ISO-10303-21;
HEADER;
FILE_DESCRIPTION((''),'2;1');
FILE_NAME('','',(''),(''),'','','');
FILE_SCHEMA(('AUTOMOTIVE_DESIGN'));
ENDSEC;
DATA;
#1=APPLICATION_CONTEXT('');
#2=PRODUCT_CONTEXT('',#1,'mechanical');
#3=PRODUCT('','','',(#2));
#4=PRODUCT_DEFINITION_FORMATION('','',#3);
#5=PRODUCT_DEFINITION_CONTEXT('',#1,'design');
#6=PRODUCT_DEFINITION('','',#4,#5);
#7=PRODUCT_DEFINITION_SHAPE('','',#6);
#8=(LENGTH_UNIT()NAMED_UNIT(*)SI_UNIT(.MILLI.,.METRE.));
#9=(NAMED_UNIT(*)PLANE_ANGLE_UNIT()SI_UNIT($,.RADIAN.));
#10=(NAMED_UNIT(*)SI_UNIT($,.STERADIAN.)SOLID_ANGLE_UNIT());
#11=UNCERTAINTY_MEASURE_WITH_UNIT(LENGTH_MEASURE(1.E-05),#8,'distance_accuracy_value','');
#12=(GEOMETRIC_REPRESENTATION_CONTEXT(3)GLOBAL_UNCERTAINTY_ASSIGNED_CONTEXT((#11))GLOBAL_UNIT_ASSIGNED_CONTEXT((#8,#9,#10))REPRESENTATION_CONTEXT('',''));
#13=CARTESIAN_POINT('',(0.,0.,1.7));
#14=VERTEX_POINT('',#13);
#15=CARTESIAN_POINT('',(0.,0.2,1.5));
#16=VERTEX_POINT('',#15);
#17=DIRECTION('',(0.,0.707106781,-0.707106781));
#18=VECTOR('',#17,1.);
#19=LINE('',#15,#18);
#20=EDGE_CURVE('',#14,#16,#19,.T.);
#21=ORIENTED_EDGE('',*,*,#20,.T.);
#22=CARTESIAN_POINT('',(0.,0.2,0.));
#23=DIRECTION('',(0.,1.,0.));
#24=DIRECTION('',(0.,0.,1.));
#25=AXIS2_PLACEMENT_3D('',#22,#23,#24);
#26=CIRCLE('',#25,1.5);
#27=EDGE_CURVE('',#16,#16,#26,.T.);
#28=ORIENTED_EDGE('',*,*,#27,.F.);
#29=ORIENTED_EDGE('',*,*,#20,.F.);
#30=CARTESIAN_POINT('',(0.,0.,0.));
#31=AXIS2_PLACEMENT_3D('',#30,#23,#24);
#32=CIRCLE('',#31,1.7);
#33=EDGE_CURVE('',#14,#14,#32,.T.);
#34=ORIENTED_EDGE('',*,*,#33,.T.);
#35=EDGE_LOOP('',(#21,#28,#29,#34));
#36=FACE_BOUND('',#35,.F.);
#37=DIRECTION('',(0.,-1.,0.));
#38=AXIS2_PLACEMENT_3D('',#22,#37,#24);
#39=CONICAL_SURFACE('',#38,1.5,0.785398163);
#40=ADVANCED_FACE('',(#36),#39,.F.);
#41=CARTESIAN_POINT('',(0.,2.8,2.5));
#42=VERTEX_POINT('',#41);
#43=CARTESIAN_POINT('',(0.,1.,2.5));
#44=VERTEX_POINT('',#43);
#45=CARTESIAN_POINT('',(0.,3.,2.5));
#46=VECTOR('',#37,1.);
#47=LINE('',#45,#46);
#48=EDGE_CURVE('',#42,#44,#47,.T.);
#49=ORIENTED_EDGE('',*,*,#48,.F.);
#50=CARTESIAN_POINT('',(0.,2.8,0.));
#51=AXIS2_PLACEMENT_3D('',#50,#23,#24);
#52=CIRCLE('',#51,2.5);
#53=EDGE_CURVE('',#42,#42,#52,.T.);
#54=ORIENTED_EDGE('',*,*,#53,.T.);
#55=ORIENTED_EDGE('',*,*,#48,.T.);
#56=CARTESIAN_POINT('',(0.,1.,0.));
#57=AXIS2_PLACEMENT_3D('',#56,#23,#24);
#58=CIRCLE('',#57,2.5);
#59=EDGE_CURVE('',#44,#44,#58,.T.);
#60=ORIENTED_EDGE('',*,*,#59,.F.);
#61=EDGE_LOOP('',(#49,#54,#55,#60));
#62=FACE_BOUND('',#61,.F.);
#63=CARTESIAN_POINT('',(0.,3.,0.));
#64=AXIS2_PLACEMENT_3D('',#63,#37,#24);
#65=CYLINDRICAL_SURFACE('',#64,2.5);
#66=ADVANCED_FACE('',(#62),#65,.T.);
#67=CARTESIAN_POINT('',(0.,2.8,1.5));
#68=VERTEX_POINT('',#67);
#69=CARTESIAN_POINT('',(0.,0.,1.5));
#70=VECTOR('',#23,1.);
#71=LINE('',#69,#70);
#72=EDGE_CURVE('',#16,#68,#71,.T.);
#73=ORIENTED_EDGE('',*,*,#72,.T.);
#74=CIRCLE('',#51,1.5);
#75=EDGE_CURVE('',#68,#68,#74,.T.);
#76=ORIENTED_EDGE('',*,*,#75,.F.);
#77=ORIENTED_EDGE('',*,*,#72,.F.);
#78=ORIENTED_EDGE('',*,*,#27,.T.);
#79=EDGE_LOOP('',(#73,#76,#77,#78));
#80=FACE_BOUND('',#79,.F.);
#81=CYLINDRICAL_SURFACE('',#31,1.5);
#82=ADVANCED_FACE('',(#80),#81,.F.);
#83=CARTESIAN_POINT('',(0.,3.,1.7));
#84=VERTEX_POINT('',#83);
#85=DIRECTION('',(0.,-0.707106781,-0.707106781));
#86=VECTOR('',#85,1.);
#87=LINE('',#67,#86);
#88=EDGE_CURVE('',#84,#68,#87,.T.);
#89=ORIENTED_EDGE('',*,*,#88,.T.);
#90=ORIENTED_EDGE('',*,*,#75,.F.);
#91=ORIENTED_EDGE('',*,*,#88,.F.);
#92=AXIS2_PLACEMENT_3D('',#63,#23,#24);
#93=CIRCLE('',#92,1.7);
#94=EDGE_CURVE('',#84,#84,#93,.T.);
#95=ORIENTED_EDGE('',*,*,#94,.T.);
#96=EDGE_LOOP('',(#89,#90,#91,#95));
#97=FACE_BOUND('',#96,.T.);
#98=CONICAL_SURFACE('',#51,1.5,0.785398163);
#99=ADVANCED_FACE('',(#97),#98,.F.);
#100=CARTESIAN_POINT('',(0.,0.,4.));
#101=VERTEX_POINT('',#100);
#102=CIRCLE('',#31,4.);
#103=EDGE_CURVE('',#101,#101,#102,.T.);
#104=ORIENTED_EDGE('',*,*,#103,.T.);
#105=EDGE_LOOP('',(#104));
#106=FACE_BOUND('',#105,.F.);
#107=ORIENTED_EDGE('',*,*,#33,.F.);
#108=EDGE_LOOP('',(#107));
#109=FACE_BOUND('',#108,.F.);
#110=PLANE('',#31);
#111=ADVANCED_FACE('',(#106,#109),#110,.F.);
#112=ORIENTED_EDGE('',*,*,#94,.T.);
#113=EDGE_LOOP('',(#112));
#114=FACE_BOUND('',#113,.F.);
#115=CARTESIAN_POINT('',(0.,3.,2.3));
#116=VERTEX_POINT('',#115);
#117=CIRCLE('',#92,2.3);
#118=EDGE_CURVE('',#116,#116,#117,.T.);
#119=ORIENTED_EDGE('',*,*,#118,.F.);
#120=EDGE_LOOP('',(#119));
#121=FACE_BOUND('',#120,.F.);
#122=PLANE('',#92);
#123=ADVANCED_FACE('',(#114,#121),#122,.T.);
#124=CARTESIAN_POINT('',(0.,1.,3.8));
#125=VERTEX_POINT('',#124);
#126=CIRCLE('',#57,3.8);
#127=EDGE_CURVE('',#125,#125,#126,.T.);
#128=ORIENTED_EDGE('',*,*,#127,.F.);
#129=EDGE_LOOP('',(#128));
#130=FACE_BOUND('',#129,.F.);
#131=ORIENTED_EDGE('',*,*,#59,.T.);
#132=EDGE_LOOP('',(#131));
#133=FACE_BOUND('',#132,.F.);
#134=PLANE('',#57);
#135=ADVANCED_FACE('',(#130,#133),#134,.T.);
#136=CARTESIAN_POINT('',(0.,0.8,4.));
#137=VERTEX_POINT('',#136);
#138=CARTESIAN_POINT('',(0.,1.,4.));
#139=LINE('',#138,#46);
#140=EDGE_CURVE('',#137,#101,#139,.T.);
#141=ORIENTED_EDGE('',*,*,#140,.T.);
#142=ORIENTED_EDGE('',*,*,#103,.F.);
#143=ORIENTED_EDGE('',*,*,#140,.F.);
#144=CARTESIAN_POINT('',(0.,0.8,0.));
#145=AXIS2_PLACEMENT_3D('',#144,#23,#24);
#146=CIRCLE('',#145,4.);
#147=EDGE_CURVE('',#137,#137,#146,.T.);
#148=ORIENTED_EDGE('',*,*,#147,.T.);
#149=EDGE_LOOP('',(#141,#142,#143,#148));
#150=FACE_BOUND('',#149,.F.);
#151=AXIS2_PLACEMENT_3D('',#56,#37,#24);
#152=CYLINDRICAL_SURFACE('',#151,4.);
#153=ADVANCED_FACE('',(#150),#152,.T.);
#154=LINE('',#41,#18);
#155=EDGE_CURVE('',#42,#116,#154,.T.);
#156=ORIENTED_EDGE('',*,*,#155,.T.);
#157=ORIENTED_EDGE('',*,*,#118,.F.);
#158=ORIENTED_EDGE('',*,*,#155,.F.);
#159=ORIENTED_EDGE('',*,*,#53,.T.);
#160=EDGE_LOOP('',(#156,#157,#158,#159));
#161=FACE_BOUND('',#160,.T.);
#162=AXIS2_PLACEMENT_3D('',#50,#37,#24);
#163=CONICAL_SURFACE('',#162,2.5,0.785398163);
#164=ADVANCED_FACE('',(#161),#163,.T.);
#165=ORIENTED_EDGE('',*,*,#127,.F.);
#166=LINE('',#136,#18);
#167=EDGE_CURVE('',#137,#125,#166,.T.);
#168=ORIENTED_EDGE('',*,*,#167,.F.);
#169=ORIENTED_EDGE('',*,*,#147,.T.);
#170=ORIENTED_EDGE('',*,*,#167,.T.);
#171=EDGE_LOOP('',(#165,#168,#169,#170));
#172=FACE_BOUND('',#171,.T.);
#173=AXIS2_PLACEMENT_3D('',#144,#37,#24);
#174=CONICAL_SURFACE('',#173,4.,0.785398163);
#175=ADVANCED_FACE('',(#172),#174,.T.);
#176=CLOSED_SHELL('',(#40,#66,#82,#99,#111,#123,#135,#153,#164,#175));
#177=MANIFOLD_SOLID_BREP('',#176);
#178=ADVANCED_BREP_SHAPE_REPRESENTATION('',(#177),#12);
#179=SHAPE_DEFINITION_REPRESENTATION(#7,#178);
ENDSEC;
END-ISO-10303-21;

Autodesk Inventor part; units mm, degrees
ref_plane "YZ Plane" through (0, 0, 0) normal (1, 0, 0) x (0, 1, 0)
ref_plane "XZ Plane" through (0, 0, 0) normal (0, 1, 0) x (-1, 0, 0)
ref_plane "XY Plane" through (0, 0, 0) normal (0, 0, 1) x (1, 0, 0)
sketch "Skizze3" plane through (0, 0, 0) normal (1, 0, 0) x (0, 1, 0)
  line L0 (0, 0) -> (4.4378, 0)
  line L1 (0, 1.5) -> (3, 1.5)
  line L2 (3, 1.5) -> (3, 2.5)
  line L3 (3, 2.5) -> (1, 2.5)
  line L4 (1, 2.5) -> (1, 4)
  line L5 (1, 4) -> (0, 4)
  line L6 (0, 4) -> (0, 1.5)
  dimension "d4" = 1
  dimension "d5" = 3
  dimension "d6" = 3
  dimension "d7" = 8
  dimension "d8" = 5
revolve "Umdrehung1" add sketch "Skizze3" angle 360 about axis through (0, 0, 0) along (0, 1, 0)
chamfer "Fase1" distance 0.2 angle 45 4 edges at (0, 3, -2.5) (0, 3, -1.5) (0, 1, -4) (0, 0, -1.5)
properties part number "BT014_huenin20_23" material "Messing"
